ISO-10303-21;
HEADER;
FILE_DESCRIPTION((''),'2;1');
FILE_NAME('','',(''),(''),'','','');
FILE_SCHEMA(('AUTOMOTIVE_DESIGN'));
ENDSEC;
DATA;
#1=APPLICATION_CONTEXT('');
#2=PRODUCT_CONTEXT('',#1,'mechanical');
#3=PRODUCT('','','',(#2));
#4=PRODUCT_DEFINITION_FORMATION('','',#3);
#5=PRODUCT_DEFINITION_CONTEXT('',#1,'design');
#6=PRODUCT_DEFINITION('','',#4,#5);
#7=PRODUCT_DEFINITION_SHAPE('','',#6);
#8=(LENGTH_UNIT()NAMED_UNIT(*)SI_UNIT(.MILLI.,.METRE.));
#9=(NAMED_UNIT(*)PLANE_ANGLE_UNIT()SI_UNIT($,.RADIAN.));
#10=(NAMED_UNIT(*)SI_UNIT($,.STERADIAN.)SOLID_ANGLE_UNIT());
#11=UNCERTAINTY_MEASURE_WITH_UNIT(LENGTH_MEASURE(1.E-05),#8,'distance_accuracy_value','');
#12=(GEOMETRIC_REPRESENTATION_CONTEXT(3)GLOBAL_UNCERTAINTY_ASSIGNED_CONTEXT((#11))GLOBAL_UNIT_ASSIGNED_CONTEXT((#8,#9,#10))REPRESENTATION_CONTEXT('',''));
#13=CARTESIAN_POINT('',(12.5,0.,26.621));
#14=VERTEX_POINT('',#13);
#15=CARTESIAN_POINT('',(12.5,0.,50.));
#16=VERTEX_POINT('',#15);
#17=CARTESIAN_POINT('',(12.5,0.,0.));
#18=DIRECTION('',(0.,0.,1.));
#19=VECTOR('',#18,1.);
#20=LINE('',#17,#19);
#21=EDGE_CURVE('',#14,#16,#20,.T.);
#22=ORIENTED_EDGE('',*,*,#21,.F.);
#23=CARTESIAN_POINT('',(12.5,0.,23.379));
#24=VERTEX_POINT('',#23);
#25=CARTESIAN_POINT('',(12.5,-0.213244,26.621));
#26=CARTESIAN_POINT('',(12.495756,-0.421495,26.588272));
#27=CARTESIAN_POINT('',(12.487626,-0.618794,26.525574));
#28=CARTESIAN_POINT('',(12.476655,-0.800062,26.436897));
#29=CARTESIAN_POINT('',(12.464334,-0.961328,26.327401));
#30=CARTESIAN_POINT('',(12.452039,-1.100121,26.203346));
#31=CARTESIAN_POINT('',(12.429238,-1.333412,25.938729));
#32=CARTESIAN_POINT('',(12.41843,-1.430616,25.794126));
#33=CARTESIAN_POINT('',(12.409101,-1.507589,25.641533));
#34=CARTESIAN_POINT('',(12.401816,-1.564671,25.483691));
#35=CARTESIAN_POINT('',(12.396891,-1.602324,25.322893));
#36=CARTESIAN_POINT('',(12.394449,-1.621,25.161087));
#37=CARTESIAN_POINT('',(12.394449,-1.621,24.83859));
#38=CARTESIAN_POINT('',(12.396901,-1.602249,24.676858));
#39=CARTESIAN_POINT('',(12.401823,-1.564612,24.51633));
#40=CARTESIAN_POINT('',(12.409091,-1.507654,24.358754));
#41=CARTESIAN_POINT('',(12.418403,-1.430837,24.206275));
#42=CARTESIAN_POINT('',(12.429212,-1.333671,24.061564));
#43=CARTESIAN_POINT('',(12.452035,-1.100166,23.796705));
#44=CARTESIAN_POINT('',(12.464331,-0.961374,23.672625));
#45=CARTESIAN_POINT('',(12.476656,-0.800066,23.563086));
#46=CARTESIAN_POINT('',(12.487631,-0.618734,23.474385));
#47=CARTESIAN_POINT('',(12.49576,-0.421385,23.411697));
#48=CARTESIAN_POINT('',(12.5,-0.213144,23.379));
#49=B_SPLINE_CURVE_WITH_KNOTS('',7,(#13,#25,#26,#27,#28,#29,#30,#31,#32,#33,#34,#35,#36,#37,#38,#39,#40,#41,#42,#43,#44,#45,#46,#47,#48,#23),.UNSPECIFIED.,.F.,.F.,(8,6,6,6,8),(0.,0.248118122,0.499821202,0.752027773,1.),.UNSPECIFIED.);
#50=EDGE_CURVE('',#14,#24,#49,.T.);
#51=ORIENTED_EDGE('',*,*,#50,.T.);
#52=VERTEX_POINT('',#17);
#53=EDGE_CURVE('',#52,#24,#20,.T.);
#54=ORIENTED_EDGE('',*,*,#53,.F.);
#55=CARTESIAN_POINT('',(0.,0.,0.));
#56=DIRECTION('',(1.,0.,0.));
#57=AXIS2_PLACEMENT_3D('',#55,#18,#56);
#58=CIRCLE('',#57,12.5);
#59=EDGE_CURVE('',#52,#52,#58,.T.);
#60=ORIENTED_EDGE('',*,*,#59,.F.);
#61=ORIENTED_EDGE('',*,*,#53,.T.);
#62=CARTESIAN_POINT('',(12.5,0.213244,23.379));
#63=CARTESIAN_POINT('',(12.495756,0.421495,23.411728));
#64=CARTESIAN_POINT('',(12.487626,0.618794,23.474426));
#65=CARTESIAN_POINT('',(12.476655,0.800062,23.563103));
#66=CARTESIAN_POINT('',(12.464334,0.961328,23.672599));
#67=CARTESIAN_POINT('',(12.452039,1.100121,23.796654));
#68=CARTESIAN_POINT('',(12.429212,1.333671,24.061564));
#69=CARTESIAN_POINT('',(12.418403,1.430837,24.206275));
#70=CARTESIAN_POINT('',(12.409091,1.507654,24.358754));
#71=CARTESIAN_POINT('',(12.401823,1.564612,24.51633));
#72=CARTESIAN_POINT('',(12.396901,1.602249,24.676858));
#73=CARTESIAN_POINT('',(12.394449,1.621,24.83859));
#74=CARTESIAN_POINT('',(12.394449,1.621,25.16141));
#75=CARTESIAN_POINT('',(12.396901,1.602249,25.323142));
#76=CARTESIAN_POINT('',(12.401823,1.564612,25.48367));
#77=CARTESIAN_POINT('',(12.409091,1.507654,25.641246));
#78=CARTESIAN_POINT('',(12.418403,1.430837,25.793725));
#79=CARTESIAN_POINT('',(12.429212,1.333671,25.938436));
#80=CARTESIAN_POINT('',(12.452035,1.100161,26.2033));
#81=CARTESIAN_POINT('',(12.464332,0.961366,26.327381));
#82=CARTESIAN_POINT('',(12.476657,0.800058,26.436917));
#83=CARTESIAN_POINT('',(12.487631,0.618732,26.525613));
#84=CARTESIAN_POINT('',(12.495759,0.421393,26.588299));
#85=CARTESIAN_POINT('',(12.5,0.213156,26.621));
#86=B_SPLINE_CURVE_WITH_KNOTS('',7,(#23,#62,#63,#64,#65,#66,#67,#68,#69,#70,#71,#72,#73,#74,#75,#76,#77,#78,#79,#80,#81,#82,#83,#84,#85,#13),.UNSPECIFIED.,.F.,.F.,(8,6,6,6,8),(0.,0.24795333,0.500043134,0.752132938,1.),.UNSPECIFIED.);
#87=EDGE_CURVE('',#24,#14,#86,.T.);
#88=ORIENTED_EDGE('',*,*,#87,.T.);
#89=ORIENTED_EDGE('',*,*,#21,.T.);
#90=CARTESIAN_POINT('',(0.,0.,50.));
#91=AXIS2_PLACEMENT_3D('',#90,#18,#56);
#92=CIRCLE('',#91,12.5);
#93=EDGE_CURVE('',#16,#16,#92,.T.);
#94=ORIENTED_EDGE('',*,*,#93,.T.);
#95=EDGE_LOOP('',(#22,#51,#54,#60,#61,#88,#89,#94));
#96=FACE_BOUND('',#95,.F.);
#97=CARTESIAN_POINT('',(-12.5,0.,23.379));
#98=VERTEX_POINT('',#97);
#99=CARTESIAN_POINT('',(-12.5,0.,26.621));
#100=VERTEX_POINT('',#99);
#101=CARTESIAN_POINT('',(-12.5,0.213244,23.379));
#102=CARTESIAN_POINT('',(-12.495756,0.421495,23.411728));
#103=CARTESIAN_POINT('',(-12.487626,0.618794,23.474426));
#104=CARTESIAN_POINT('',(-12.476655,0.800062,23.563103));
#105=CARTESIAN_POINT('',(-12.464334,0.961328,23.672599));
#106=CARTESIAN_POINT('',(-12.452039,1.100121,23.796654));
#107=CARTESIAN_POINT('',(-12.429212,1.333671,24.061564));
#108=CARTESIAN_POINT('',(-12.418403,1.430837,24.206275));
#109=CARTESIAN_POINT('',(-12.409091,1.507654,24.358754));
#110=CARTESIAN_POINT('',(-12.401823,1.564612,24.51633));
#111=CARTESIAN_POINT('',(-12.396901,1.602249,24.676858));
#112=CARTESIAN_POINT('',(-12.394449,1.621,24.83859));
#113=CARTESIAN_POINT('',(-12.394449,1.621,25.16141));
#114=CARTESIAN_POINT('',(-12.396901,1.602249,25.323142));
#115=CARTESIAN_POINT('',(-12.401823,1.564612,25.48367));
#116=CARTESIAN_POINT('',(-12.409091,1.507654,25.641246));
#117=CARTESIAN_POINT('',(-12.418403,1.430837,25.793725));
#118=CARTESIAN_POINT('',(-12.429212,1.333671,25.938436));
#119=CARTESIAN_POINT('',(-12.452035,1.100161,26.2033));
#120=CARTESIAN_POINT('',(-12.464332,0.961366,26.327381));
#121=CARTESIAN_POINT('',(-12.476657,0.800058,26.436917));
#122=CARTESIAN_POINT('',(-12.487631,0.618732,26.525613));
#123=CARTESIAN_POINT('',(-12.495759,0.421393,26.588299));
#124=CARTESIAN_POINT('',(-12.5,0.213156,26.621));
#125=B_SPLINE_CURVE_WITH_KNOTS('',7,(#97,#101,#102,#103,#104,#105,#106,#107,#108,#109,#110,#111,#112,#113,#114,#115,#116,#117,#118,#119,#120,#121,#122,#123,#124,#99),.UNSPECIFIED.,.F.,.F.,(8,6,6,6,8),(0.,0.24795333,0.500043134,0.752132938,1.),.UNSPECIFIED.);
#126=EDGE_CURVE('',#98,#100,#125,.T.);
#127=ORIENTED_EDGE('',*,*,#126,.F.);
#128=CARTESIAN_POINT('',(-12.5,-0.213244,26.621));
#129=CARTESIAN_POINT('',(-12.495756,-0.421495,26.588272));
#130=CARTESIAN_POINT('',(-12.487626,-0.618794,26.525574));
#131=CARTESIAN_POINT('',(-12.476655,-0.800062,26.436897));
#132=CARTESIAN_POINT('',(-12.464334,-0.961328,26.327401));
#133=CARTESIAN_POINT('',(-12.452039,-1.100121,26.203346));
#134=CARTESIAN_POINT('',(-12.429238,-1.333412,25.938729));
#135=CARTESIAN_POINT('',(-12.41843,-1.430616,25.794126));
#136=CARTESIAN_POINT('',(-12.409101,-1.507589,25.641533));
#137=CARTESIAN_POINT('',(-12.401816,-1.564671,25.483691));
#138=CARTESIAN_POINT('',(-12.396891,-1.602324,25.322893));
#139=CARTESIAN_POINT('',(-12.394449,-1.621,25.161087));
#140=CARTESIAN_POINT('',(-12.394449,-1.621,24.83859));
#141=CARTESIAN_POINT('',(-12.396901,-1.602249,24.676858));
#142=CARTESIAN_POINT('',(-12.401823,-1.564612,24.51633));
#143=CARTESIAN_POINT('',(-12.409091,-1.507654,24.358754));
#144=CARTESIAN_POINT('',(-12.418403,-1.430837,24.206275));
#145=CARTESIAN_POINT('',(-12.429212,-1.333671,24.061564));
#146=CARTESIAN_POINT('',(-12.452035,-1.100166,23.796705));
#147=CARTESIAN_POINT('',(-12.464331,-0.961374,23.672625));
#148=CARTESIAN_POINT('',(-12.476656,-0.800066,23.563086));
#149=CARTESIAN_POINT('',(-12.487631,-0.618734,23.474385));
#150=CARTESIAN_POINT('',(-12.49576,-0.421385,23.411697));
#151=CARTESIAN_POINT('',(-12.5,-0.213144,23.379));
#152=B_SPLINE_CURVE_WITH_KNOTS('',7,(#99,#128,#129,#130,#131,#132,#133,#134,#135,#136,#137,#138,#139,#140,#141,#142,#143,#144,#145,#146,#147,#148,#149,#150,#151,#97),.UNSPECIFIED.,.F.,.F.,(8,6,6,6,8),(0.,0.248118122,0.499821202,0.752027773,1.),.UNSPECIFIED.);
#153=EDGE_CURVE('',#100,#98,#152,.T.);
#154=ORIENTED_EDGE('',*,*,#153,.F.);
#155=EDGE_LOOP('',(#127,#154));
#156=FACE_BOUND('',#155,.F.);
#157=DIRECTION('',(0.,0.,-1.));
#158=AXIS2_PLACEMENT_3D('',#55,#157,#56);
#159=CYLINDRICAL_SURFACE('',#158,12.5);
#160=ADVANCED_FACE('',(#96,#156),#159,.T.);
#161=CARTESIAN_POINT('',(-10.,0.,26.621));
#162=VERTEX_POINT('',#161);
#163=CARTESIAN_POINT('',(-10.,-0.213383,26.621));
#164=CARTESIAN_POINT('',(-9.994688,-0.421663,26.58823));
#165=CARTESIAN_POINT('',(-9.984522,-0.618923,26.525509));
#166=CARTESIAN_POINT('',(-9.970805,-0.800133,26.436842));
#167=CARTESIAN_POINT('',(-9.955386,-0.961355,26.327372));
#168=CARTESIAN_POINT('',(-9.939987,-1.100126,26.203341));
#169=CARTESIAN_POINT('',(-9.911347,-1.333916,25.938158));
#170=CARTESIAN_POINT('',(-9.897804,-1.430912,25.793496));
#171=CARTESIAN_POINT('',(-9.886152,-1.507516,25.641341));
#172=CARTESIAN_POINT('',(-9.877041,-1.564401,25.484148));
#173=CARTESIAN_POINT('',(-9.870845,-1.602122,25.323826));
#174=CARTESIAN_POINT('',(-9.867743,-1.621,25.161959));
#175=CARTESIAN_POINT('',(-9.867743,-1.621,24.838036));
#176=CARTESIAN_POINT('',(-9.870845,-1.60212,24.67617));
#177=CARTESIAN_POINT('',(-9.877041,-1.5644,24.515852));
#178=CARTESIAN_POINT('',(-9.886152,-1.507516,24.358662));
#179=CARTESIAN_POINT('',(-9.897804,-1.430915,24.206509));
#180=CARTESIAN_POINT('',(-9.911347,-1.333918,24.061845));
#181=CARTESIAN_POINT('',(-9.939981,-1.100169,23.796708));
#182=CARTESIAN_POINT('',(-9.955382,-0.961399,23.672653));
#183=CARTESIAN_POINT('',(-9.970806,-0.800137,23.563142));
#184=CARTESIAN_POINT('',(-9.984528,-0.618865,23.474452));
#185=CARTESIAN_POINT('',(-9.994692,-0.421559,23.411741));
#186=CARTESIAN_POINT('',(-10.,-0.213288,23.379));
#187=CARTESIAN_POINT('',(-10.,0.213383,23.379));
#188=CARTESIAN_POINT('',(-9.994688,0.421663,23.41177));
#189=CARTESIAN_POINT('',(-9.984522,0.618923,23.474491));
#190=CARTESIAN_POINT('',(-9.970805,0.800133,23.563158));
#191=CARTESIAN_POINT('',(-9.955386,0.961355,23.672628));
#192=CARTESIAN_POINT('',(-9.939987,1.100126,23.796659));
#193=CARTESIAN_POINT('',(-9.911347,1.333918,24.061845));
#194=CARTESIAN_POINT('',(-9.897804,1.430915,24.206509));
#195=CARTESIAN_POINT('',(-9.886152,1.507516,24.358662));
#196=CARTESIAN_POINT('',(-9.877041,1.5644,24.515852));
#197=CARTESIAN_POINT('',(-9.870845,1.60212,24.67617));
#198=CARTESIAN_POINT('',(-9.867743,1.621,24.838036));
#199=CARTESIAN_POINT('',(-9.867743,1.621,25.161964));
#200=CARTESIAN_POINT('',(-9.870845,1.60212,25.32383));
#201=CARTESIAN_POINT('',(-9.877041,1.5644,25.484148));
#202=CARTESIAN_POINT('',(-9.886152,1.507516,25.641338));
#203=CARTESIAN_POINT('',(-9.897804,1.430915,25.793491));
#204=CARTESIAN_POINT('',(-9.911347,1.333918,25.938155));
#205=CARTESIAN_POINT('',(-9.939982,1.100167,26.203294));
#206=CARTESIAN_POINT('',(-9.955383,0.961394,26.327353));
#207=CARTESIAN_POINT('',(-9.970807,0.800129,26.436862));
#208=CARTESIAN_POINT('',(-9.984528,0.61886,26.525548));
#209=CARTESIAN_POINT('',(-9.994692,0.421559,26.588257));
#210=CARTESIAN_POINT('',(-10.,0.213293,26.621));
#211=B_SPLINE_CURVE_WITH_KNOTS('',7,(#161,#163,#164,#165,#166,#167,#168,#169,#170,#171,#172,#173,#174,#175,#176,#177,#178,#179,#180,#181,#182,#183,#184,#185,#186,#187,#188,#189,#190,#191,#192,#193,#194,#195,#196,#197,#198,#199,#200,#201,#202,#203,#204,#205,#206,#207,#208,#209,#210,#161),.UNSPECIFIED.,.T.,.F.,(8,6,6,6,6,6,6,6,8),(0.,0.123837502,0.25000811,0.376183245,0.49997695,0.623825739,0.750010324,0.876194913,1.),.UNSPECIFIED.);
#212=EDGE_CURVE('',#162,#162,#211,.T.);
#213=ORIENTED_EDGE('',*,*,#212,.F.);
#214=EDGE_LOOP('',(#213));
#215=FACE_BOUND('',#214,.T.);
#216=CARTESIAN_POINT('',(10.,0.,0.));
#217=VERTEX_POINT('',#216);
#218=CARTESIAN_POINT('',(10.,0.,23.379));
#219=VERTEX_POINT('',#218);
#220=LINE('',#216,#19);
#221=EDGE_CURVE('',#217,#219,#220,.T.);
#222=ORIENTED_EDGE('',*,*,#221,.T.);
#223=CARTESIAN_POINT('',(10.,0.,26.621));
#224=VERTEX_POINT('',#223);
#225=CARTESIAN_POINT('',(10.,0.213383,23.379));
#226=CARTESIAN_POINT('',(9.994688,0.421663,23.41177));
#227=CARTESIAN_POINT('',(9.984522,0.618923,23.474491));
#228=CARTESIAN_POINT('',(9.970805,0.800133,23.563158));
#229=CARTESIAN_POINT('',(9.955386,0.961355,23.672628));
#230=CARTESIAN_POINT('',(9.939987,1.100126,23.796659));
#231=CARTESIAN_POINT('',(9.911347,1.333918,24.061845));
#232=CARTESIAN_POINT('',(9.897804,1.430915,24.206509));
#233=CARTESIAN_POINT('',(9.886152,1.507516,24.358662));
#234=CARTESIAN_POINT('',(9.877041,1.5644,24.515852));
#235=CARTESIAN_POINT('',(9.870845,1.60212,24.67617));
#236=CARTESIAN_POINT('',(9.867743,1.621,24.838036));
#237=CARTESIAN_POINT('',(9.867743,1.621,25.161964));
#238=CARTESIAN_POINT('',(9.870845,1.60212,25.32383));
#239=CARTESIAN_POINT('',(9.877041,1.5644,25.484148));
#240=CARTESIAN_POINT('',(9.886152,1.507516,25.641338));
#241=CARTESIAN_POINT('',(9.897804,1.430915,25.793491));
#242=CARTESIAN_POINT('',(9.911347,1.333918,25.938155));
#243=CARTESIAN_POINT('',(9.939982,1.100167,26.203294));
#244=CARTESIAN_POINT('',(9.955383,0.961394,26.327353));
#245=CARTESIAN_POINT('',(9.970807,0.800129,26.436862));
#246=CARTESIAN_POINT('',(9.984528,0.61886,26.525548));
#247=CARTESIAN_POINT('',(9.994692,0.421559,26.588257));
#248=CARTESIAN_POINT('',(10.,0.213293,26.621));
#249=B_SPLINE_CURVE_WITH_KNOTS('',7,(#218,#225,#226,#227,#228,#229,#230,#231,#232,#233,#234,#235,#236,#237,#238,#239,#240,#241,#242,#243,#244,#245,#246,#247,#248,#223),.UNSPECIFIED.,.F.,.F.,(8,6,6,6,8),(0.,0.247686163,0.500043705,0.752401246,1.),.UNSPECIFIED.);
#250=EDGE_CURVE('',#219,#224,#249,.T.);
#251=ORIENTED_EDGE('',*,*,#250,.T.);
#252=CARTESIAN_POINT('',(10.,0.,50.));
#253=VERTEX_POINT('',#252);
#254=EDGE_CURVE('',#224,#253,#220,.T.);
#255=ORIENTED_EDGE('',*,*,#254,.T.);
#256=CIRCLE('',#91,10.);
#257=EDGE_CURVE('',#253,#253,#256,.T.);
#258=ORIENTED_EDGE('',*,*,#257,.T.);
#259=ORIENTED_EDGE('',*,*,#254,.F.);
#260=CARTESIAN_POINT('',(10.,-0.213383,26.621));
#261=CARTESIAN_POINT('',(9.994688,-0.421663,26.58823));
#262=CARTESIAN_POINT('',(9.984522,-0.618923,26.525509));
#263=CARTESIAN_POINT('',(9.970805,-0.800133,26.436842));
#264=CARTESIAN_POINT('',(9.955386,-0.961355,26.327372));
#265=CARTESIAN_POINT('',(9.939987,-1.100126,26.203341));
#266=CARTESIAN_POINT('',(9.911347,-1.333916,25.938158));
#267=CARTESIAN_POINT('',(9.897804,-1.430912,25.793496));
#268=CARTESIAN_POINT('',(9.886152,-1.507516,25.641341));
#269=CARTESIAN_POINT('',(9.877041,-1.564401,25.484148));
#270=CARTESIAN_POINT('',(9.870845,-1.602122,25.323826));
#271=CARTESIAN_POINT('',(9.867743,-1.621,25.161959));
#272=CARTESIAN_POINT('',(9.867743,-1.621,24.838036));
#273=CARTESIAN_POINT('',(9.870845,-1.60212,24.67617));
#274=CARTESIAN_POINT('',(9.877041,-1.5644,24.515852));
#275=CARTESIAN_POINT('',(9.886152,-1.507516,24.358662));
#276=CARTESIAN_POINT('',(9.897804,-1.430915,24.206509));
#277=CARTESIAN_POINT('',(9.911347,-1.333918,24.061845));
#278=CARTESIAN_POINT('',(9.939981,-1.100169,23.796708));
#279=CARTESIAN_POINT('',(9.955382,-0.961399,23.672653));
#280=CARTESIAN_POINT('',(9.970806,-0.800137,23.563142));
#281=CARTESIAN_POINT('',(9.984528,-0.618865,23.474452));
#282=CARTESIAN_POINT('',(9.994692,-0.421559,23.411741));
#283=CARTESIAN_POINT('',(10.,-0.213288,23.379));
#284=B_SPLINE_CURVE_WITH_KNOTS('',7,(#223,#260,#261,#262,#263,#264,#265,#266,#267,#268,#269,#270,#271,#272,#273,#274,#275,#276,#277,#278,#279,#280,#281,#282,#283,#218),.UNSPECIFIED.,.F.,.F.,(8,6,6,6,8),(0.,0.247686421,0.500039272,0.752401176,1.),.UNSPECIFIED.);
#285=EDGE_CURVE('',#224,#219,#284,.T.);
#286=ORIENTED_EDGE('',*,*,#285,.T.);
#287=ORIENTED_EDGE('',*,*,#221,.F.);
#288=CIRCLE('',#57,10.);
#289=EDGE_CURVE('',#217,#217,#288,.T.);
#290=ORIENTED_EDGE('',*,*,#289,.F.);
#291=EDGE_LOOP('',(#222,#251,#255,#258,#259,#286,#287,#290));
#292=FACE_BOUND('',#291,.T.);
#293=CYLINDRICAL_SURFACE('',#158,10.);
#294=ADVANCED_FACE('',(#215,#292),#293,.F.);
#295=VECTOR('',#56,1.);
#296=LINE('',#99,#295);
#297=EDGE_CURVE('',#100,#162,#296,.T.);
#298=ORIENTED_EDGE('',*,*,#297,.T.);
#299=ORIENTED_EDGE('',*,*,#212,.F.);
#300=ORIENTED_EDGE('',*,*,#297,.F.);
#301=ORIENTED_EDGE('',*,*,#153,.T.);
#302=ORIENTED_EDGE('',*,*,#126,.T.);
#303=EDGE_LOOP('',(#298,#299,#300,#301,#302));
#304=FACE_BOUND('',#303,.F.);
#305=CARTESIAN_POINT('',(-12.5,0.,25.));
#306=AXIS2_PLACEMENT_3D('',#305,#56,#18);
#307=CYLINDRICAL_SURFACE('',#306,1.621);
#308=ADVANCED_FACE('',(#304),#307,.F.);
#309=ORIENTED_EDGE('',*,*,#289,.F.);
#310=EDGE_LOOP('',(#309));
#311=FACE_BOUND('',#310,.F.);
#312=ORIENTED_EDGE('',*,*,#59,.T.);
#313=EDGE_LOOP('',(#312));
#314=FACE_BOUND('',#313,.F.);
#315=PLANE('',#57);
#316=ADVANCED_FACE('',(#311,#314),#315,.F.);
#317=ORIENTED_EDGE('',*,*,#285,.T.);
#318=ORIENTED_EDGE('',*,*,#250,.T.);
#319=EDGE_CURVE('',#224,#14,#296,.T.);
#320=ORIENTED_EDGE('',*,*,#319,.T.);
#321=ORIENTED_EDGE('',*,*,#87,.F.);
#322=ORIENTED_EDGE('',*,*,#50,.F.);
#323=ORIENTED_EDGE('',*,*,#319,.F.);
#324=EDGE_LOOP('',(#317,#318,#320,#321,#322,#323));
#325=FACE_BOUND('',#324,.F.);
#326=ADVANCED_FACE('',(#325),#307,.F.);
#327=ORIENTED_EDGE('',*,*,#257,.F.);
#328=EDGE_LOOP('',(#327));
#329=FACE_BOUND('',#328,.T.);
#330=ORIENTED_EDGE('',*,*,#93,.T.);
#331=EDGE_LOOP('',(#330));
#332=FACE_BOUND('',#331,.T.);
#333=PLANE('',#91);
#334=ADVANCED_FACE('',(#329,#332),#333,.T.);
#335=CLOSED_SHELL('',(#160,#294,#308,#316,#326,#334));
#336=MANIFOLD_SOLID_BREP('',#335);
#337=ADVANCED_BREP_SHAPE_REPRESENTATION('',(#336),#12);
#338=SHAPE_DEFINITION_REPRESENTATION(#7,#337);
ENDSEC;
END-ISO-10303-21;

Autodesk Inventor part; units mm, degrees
ref_plane "YZ Plane" through (0, 0, 0) normal (1, 0, 0) x (0, 1, 0)
ref_plane "XZ Plane" through (0, 0, 0) normal (0, 1, 0) x (-1, 0, 0)
ref_plane "XY Plane" through (0, 0, 0) normal (0, 0, 1) x (1, 0, 0)
sketch "Sketch1" plane through (0, 0, 0) normal (0, 0, 1) x (1, 0, 0)
  circle A0 centre (0, 0) radius 10
  circle A1 centre (0, 0) radius 12.5
  dimension "d0" = 20
  dimension "d1" = 25
extrude "Extrusion1" add sketch "Sketch1" along normal blind 50
sketch "Sketch2" plane through (0, 0, 50) normal (0, 0, 1) x (1, 0, 0)
  circle A0 centre (0, 0) radius 12.5 projected
  point P0 (-12.5, 0)
ref_plane "Work Plane1" through (-12.5, 0, 50) normal (-1, 0, 0) x (0, -1, 0)
sketch "Sketch3" plane through (-12.5, 0, 50) normal (-1, 0, 0) x (0, -1, 0)
  line L0 (12.5, 0) -> (-12.5, 0) projected
  point P0 (0, -50)
  point P1 (0, -25)
  dimension "d4" = 25
hole "Hole1" at (-12.5, 0, 25) direction (1, 0, 0) diameter 3.242 end through all thread size "M4x0.7" class "6H" standard "ISO Metric profile"
equation "\"BendRadius\" = Thickness"
equation "\"BendReliefWidth\" = Thickness"
equation "\"BendReliefDepth\" = 0.5 * Thickness"
equation "\"CornerReliefSize\" = 4 * Thickness"
equation "\"MinimumRemnant\" = 2 * Thickness"
equation "\"TransitionRadius\" = BendRadius"
equation "\"JacobiRadiusSize\" = BendRadius"
equation "\"GapSize\" = Thickness"
equation "\"Thickness\" = 0.5"
properties part number "Output lint interface cuff"
